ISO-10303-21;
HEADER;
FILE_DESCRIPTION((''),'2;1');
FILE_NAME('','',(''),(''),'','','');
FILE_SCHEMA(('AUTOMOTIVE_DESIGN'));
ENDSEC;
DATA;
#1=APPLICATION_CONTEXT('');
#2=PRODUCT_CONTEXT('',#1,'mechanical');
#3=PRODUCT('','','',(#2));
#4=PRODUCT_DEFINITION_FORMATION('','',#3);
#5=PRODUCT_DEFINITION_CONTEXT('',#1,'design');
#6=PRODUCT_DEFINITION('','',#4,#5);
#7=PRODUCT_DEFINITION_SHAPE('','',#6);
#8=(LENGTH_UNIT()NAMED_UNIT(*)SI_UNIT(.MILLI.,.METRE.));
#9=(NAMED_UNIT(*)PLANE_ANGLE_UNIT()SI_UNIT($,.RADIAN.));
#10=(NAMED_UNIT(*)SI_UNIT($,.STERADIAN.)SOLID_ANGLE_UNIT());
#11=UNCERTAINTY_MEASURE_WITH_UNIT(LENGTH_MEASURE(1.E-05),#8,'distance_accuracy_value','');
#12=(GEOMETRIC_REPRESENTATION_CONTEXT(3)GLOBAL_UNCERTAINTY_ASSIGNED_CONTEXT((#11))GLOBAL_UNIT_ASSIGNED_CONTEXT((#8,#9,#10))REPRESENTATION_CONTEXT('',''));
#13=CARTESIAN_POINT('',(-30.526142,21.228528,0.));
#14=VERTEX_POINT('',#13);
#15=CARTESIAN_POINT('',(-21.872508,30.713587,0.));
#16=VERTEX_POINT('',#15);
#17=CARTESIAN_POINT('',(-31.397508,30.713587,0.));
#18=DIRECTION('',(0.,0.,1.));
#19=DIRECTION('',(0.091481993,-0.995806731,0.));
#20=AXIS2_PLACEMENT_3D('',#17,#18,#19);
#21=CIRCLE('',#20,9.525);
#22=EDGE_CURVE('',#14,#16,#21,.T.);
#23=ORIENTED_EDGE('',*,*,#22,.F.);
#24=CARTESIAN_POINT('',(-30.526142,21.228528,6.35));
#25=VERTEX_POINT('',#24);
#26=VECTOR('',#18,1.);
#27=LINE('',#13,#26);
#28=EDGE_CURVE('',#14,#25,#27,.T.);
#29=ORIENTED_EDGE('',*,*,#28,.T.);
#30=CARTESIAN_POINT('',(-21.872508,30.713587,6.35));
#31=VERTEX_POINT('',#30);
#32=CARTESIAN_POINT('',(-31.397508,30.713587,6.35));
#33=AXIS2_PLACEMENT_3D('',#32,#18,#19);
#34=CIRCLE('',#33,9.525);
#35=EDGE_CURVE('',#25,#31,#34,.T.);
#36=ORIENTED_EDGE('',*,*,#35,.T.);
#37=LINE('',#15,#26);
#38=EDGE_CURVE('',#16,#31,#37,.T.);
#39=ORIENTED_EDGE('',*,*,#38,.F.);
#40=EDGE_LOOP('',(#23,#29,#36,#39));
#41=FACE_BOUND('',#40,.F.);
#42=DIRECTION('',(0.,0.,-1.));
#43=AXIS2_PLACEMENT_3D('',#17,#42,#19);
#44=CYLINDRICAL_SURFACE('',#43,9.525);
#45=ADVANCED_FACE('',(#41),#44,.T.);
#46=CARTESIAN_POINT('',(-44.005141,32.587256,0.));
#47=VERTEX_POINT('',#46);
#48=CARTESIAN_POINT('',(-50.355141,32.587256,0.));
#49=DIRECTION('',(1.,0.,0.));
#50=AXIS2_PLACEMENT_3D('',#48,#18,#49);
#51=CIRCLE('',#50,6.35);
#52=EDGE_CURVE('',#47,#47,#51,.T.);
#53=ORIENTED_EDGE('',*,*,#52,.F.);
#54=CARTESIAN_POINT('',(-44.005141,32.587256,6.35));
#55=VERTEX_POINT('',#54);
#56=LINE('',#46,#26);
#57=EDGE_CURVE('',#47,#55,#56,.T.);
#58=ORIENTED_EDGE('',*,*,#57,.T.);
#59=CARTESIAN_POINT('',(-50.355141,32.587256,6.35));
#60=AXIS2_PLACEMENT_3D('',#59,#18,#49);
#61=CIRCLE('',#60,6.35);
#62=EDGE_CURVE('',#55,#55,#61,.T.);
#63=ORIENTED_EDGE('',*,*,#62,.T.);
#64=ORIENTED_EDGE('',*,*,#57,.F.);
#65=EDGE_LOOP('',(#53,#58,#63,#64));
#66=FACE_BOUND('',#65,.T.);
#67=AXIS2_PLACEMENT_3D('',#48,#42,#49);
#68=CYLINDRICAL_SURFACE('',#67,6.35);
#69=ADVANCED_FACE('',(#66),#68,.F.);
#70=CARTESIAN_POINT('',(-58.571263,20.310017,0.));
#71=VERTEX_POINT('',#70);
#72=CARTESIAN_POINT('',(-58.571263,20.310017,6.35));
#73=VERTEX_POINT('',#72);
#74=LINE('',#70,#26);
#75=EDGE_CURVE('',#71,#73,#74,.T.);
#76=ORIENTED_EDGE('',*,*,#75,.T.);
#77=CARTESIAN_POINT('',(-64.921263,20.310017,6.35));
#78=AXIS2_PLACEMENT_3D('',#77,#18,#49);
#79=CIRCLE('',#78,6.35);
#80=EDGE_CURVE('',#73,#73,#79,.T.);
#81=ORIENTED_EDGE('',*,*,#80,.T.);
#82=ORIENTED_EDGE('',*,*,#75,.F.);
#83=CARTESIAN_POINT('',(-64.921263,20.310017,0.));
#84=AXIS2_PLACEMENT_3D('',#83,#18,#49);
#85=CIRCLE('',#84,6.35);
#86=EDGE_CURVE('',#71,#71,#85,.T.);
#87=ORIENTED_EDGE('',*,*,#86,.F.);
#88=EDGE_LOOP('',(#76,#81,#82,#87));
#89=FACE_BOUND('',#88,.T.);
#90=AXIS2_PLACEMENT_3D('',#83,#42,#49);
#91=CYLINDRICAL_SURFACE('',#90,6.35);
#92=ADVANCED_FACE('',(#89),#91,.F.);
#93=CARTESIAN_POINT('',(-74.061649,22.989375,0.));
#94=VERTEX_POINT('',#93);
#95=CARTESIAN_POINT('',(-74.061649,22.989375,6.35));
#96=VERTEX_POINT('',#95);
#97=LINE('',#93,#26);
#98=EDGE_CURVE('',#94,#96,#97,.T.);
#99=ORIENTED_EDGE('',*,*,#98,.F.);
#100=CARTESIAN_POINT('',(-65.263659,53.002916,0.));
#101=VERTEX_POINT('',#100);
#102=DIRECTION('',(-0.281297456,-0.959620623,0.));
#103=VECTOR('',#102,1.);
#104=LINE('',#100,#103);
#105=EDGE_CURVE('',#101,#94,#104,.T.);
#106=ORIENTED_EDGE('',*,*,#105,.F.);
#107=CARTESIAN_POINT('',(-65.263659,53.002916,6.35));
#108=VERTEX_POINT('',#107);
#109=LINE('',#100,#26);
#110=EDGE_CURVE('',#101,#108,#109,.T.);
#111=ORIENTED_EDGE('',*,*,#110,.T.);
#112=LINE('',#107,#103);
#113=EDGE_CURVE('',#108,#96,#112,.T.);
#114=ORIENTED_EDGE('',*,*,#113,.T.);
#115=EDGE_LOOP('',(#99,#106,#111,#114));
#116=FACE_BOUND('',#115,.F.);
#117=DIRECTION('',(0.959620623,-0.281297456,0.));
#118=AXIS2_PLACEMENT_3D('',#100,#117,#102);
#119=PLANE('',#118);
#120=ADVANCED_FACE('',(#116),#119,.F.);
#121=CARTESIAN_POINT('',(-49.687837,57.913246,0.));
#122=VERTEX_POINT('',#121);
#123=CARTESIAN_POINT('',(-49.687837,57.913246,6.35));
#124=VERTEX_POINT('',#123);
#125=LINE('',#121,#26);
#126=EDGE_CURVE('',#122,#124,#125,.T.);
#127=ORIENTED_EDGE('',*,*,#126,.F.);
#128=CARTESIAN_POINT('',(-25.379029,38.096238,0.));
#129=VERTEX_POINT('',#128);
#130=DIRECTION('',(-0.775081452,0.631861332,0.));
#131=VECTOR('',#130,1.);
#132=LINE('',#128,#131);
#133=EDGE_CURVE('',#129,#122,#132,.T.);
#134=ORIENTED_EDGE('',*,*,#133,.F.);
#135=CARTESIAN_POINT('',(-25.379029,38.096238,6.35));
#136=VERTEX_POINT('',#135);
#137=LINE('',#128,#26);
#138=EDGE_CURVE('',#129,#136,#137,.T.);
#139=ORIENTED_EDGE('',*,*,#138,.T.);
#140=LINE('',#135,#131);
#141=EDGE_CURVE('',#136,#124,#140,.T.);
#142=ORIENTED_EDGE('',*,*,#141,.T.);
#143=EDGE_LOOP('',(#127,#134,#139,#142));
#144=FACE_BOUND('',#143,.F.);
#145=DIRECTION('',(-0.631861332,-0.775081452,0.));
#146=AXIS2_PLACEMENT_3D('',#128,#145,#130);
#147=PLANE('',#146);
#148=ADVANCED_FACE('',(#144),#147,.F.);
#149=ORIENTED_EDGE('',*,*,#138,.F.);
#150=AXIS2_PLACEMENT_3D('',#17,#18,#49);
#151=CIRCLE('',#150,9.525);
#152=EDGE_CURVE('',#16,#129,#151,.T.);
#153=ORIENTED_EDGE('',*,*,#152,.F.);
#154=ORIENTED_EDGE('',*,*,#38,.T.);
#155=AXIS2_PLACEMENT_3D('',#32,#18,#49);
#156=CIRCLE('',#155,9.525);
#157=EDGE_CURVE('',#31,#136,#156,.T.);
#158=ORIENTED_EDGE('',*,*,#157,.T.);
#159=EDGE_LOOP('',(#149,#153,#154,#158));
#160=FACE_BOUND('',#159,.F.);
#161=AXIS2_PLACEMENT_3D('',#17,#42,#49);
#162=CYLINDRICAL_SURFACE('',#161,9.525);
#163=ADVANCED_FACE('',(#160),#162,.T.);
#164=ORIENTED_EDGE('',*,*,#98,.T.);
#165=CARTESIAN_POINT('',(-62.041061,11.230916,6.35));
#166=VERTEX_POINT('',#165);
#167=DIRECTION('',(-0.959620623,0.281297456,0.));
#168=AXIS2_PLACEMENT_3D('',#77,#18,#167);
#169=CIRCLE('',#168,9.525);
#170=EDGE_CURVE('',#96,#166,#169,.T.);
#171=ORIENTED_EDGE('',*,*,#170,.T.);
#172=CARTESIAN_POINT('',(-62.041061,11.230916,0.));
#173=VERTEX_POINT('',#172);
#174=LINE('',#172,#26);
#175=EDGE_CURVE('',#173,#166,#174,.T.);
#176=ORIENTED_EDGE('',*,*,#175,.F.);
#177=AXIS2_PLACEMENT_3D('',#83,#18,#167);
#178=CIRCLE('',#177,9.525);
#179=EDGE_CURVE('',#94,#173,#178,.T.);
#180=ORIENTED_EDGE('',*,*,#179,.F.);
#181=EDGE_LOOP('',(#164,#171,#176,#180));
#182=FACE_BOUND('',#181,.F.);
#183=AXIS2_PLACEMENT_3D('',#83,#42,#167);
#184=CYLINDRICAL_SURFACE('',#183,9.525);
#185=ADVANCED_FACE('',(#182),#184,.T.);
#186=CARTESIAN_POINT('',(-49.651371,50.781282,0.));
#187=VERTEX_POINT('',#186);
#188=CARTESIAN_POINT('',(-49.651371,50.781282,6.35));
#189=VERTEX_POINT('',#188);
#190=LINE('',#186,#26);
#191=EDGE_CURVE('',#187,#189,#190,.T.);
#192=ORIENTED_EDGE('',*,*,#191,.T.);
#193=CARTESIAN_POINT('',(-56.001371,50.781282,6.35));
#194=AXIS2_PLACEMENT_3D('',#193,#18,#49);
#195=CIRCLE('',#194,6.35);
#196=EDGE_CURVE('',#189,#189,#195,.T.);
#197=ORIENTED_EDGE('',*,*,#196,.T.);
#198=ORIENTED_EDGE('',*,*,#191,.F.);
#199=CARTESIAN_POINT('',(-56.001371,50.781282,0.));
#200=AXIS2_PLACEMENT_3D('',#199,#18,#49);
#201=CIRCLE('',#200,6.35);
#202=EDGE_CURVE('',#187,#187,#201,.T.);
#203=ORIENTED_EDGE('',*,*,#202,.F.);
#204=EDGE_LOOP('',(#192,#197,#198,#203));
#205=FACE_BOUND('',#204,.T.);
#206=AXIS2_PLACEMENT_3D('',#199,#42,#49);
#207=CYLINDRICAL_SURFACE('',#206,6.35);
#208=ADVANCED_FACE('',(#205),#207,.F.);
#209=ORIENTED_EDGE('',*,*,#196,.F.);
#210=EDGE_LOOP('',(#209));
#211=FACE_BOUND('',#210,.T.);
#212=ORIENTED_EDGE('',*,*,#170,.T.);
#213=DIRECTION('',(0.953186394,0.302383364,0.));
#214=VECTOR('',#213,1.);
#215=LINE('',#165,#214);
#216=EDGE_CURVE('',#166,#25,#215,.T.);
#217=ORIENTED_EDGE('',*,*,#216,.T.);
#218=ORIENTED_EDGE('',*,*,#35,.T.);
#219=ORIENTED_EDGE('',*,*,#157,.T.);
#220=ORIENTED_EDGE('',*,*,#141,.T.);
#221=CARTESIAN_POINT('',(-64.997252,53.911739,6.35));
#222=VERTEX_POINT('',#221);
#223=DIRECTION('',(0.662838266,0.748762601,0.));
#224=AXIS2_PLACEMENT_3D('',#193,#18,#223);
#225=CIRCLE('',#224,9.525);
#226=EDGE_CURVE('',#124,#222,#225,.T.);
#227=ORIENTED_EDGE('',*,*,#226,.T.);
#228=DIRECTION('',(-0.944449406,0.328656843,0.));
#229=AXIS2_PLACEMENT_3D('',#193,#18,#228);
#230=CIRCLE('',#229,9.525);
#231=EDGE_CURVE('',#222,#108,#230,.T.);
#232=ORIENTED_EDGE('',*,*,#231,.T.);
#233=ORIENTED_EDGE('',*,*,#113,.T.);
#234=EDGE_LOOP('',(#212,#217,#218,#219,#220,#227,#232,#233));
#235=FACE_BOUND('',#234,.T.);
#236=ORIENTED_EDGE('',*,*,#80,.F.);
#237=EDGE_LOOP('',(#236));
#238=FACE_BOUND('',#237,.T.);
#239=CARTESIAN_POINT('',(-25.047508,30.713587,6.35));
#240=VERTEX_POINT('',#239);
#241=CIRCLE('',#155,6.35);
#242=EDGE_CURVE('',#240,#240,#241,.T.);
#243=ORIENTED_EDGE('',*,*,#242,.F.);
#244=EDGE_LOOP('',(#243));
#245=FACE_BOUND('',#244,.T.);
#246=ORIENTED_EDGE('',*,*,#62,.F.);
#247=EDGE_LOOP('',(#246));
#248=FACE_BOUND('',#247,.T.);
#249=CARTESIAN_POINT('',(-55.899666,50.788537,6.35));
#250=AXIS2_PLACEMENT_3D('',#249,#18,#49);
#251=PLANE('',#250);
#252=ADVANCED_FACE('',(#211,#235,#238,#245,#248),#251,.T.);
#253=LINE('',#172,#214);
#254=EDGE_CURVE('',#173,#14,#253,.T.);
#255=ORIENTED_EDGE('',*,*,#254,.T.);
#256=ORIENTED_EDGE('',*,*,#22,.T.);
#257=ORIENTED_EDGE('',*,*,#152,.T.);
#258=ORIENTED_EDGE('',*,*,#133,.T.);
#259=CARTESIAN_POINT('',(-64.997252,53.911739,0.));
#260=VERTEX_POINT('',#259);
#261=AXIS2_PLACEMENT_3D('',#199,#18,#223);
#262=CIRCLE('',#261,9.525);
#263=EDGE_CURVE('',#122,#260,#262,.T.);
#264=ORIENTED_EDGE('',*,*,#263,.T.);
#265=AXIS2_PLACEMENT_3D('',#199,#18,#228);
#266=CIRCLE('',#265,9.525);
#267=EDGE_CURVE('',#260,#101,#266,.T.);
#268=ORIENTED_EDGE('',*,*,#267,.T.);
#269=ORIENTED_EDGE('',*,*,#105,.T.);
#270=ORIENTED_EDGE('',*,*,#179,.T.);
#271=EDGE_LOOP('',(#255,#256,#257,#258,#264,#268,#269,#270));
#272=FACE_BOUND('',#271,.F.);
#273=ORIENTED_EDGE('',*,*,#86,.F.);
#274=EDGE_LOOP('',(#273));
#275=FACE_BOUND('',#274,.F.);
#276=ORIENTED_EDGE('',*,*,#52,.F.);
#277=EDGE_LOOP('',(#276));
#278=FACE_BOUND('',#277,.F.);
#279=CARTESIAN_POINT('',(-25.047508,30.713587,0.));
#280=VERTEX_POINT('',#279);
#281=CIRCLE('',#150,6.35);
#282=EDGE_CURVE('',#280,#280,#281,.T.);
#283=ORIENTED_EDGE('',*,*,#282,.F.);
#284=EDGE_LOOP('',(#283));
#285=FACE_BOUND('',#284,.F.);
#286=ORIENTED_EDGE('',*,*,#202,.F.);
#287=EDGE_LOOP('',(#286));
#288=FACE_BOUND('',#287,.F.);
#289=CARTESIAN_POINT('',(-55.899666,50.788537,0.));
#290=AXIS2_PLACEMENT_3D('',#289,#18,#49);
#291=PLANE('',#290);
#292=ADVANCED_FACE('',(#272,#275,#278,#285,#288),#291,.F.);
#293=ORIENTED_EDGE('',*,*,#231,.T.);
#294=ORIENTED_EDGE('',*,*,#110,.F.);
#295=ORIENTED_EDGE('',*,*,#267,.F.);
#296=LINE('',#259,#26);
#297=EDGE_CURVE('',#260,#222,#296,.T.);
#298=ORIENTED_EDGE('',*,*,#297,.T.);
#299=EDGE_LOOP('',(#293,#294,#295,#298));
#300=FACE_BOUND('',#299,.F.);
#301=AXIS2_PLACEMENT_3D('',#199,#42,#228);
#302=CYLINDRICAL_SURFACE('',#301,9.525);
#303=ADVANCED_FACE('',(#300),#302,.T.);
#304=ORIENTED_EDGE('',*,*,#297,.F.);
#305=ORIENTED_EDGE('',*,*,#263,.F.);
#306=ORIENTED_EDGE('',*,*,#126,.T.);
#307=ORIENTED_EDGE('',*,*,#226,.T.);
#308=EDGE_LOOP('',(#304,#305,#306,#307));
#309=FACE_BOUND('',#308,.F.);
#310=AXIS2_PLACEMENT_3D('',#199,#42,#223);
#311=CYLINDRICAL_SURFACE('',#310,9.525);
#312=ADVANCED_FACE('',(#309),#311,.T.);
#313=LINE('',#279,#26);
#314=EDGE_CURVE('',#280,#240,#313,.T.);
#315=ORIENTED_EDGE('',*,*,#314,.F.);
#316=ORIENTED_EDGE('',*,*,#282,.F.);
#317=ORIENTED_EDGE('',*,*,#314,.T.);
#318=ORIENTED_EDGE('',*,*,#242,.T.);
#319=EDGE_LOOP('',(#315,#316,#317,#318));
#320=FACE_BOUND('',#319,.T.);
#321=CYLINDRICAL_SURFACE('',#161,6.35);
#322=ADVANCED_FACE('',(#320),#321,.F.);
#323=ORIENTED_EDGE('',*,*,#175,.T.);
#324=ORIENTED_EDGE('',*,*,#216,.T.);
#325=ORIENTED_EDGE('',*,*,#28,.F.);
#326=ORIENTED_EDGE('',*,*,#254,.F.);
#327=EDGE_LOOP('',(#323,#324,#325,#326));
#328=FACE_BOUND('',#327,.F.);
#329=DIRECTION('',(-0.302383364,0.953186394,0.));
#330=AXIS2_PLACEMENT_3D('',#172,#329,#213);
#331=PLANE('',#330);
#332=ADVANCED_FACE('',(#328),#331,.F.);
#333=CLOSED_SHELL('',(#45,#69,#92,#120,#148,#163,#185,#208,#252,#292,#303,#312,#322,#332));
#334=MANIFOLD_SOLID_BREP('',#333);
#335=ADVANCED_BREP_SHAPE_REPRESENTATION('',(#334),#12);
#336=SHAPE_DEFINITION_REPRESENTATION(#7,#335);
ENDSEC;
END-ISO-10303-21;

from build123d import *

# Parameters (mm, degrees)
F0_R     = 6.35
F1_DEPTH = 6.35


with BuildPart() as f1:
    # F0 (on Top) → F1 (new body)
    with BuildSketch(Plane.XY):
        with BuildLine():
            ThreePointArc((-53.1782564477, 41.6842693984), (-48.3327406635, 45.1317048361), (-46.4763714082, 50.7812824752))
            ThreePointArc((-46.4763714082, 50.7812824752), (-47.3162680415, 54.6921141654), (-49.6878369219, 57.9132462503))
            ThreePointArc((-49.6878369219, 57.9132462503), (-58.4100557825, 59.9966969849), (-64.9972519962, 53.911738903))
            Line((-64.9972519962, 53.911738903), (-65.2636588151, 53.0029163317))
            ThreePointArc((-65.2636588151, 53.0029163317), (-62.5124141472, 43.8291642763), (-53.1782564477, 41.6842693984))
        make_face()
        with Locations((-56.0013714082, 50.7812824752)):
            Circle(F0_R, mode=Mode.SUBTRACT)
        with BuildLine():
            Line((-65.2636588151, 53.0029163317), (-64.9972519962, 53.911738903))
            ThreePointArc((-64.9972519962, 53.911738903), (-65.1417578469, 53.4606407474), (-65.2636588151, 53.0029163317))
        make_face()
        with BuildLine():
            ThreePointArc((-21.8725080792, 30.7135868106), (-22.7936822086, 34.8001263475), (-25.3790288954, 38.096237643))
            ThreePointArc((-25.3790288954, 38.096237643), (-35.0554610731, 39.5081877051), (-40.8763247582, 31.6504215705))
            ThreePointArc((-40.8763247582, 31.6504215705), (-38.1559117236, 24.0016865446), (-30.5261420942, 21.2285277006))
            ThreePointArc((-30.5261420942, 21.2285277006), (-24.3609824448, 24.29385691), (-21.8725080792, 30.7135868106))
        make_face()
        with Locations((-31.3975080792, 30.7135868106)):
            Circle(F0_R, mode=Mode.SUBTRACT)
        with BuildLine():
            ThreePointArc((-55.3962625933, 20.3100166458), (-55.9742861224, 23.5776208185), (-57.638202127, 26.4486366246))
            ThreePointArc((-57.638202127, 26.4486366246), (-66.8844329452, 29.6305095066), (-74.061649032, 22.989374918))
            ThreePointArc((-74.061649032, 22.989374918), (-71.5818043374, 13.5009925839), (-62.0410610516, 11.2309162454))
            ThreePointArc((-62.0410610516, 11.2309162454), (-57.2349258623, 14.6845519842), (-55.3962625933, 20.3100166458))
        make_face()
        with Locations((-64.9212625933, 20.3100166458)):
            Circle(F0_R, mode=Mode.SUBTRACT)
        with BuildLine():
            ThreePointArc((-57.638202127, 26.4486366246), (-59.4965211645, 35.2632237636), (-53.1782564477, 41.6842693984))
            ThreePointArc((-53.1782564477, 41.6842693984), (-62.5124141472, 43.8291642763), (-65.2636588151, 53.0029163317))
            Line((-65.2636588151, 53.0029163317), (-74.061649032, 22.989374918))
            ThreePointArc((-74.061649032, 22.989374918), (-66.8844329452, 29.6305095066), (-57.638202127, 26.4486366246))
        make_face()
        with BuildLine():
            ThreePointArc((-49.6878369219, 57.9132462503), (-47.3162680415, 54.6921141654), (-46.4763714082, 50.7812824752))
            ThreePointArc((-46.4763714082, 50.7812824752), (-48.3327406635, 45.1317048361), (-53.1782564477, 41.6842693984))
            ThreePointArc((-53.1782564477, 41.6842693984), (-44.7055638187, 40.2558870979), (-40.8301414364, 32.5872563373))
            ThreePointArc((-40.8301414364, 32.5872563373), (-40.841694273, 32.1182701223), (-40.8763247582, 31.6504215705))
            ThreePointArc((-40.8763247582, 31.6504215705), (-35.0554610731, 39.5081877051), (-25.3790288954, 38.096237643))
            Line((-25.3790288954, 38.096237643), (-49.6878369219, 57.9132462503))
        make_face()
        with BuildLine():
            ThreePointArc((-40.8763247582, 31.6504215705), (-47.5320265353, 23.4902432421), (-57.638202127, 26.4486366246))
            ThreePointArc((-57.638202127, 26.4486366246), (-55.9742861224, 23.5776208185), (-55.3962625933, 20.3100166458))
            ThreePointArc((-55.3962625933, 20.3100166458), (-57.2349258623, 14.6845519842), (-62.0410610516, 11.2309162454))
            Line((-62.0410610516, 11.2309162454), (-30.5261420942, 21.2285277006))
            ThreePointArc((-30.5261420942, 21.2285277006), (-38.1559117236, 24.0016865446), (-40.8763247582, 31.6504215705))
        make_face()
        with BuildLine():
            ThreePointArc((-40.8301414364, 32.5872563373), (-44.7055638187, 40.2558870979), (-53.1782564477, 41.6842693984))
            ThreePointArc((-53.1782564477, 41.6842693984), (-59.4965211645, 35.2632237636), (-57.638202127, 26.4486366246))
            ThreePointArc((-57.638202127, 26.4486366246), (-47.5320265353, 23.4902432421), (-40.8763247582, 31.6504215705))
            ThreePointArc((-40.8763247582, 31.6504215705), (-40.841694273, 32.1182701223), (-40.8301414364, 32.5872563373))
        make_face()
        with Locations((-50.3551414364, 32.5872563373)):
            Circle(F0_R, mode=Mode.SUBTRACT)
    extrude(amount=F1_DEPTH)


solid = f1.part
